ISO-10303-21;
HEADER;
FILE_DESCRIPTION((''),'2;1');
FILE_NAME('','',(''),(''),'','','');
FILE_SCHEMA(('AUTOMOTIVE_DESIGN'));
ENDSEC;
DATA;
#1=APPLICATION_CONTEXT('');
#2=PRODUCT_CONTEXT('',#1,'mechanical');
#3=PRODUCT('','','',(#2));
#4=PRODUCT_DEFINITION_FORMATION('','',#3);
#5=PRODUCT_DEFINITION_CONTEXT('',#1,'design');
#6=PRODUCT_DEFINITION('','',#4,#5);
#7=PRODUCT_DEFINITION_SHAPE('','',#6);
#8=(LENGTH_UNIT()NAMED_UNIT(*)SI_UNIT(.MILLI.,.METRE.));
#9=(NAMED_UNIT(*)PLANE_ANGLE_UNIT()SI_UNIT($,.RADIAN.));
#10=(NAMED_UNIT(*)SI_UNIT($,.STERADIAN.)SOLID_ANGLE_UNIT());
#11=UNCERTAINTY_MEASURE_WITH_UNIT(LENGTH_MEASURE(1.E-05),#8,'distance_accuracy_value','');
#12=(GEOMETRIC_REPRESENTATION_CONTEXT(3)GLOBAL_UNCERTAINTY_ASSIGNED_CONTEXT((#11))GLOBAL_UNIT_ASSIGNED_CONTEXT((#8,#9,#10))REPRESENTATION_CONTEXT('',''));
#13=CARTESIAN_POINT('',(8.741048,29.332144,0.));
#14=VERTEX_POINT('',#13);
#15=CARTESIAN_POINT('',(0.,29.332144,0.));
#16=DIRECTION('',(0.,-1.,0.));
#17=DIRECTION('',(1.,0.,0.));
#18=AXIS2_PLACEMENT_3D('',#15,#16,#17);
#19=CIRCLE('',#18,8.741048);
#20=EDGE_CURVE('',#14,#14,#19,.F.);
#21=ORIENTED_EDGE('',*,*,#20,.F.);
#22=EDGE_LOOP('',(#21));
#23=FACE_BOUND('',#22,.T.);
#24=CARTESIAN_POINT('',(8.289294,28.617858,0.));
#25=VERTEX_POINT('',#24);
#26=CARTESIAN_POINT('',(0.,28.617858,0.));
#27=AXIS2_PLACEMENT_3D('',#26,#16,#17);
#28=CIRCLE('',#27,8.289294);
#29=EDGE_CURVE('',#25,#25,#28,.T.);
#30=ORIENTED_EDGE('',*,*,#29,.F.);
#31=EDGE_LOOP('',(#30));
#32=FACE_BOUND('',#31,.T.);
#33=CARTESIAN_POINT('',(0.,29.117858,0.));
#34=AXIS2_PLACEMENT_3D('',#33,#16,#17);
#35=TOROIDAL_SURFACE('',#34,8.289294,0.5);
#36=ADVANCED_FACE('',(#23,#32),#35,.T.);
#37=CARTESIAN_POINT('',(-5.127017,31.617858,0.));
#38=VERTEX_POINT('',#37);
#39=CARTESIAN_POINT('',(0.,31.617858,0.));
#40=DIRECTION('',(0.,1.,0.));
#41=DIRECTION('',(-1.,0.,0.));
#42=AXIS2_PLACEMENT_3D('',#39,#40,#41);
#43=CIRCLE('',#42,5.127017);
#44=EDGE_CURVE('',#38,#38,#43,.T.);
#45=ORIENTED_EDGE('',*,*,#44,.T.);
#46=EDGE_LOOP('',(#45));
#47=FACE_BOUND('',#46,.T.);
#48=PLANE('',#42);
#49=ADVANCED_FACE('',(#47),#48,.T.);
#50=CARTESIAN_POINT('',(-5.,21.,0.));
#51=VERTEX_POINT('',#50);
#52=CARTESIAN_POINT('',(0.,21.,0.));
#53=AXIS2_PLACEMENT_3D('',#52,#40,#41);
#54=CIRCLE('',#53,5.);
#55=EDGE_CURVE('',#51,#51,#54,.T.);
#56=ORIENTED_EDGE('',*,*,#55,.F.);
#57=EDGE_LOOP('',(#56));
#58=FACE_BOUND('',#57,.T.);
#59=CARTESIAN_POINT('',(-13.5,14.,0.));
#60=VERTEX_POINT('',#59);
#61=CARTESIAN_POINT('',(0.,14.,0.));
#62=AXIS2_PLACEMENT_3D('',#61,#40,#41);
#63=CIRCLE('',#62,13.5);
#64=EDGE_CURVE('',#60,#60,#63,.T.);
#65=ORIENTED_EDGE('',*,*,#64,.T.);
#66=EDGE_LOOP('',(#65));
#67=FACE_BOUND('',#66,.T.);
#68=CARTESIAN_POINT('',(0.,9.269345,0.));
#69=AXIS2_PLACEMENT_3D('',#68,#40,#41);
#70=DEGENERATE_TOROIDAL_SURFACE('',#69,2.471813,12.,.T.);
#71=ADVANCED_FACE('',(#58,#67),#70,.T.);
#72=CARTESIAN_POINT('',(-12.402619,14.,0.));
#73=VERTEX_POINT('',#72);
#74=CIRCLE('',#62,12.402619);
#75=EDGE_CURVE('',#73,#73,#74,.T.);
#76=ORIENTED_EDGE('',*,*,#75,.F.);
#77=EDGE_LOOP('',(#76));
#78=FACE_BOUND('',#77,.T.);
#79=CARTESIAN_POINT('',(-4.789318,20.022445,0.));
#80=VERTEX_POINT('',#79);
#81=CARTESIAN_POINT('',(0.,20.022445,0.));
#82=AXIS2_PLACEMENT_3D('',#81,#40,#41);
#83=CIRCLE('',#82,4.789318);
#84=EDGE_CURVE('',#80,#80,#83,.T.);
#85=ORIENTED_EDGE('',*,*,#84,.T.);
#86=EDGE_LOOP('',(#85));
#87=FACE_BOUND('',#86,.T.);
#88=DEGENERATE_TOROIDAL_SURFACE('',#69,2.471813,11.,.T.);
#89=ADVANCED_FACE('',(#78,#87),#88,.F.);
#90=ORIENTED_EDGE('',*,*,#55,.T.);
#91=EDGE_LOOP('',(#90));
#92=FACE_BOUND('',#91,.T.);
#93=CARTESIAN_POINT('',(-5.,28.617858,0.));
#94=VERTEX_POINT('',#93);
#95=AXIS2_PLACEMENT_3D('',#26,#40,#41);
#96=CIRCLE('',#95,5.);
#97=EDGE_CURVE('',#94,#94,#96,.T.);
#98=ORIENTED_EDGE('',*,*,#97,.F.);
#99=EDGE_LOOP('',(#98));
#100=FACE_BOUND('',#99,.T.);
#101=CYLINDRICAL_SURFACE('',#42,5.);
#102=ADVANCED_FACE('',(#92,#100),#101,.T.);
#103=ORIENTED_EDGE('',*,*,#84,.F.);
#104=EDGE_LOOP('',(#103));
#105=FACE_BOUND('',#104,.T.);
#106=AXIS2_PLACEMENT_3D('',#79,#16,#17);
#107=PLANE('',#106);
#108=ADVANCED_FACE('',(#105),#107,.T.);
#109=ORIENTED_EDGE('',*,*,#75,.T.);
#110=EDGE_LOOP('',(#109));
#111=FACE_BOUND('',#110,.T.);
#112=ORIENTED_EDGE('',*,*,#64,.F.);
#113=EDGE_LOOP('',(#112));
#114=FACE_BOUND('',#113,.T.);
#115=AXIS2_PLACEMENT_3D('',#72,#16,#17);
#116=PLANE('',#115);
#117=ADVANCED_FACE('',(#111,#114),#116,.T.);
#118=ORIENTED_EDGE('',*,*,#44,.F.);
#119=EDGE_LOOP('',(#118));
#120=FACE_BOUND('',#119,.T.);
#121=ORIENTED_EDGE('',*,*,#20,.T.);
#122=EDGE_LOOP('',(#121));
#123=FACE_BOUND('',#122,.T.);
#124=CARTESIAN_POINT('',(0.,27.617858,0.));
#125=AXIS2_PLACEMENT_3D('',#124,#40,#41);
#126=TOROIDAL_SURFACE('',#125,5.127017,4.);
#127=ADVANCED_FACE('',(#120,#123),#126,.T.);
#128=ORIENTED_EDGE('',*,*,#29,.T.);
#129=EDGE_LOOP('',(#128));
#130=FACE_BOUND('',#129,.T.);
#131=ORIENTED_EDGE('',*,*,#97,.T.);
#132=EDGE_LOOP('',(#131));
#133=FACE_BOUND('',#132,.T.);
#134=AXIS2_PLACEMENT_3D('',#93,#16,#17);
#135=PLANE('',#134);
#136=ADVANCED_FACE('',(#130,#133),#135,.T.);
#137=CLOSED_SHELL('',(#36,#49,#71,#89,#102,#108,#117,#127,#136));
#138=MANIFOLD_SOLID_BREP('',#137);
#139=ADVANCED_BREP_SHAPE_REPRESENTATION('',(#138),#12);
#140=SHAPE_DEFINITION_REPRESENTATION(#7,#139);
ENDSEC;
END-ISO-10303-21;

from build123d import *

# Parameters (mm, degrees)
FILLET1_R = 0.5


with BuildPart() as part:
    # Sketch1 → Revolve1 (revolve)
    with BuildSketch(Plane.XY):
        with BuildLine():
            Line((0, 31.617857892), (0, 20.022445397))
            Line((0, 20.022445397), (-4.789317778, 20.022445397))
            ThreePointArc((-4.789317778, 20.022445397), (-9.296235454, 17.896468434), (-12.402618998, 14))
            Line((-12.402618998, 14), (-13.5, 14))
            ThreePointArc((-13.5, 14), (-10.100300372, 18.532507594), (-5, 21))
            Line((-5, 21), (-5, 28.617857892))
            Line((-5, 28.617857892), (-9, 28.617857892))
            ThreePointArc((-9, 28.617857892), (-7.576506397, 30.780135552), (-5.127016654, 31.617857892))
            Line((-5.127016654, 31.617857892), (0, 31.617857892))
        make_face()
    revolve(axis=Axis((0, 31.617857892, 0), (0, -1, 0)))

    # Fillet1
    fillet1_edges = [part.edges().sort_by_distance(p)[0] for p in [
        (9, 28.617857892, 0),
    ]]
    fillet(fillet1_edges, radius=FILLET1_R)


solid = part.part
